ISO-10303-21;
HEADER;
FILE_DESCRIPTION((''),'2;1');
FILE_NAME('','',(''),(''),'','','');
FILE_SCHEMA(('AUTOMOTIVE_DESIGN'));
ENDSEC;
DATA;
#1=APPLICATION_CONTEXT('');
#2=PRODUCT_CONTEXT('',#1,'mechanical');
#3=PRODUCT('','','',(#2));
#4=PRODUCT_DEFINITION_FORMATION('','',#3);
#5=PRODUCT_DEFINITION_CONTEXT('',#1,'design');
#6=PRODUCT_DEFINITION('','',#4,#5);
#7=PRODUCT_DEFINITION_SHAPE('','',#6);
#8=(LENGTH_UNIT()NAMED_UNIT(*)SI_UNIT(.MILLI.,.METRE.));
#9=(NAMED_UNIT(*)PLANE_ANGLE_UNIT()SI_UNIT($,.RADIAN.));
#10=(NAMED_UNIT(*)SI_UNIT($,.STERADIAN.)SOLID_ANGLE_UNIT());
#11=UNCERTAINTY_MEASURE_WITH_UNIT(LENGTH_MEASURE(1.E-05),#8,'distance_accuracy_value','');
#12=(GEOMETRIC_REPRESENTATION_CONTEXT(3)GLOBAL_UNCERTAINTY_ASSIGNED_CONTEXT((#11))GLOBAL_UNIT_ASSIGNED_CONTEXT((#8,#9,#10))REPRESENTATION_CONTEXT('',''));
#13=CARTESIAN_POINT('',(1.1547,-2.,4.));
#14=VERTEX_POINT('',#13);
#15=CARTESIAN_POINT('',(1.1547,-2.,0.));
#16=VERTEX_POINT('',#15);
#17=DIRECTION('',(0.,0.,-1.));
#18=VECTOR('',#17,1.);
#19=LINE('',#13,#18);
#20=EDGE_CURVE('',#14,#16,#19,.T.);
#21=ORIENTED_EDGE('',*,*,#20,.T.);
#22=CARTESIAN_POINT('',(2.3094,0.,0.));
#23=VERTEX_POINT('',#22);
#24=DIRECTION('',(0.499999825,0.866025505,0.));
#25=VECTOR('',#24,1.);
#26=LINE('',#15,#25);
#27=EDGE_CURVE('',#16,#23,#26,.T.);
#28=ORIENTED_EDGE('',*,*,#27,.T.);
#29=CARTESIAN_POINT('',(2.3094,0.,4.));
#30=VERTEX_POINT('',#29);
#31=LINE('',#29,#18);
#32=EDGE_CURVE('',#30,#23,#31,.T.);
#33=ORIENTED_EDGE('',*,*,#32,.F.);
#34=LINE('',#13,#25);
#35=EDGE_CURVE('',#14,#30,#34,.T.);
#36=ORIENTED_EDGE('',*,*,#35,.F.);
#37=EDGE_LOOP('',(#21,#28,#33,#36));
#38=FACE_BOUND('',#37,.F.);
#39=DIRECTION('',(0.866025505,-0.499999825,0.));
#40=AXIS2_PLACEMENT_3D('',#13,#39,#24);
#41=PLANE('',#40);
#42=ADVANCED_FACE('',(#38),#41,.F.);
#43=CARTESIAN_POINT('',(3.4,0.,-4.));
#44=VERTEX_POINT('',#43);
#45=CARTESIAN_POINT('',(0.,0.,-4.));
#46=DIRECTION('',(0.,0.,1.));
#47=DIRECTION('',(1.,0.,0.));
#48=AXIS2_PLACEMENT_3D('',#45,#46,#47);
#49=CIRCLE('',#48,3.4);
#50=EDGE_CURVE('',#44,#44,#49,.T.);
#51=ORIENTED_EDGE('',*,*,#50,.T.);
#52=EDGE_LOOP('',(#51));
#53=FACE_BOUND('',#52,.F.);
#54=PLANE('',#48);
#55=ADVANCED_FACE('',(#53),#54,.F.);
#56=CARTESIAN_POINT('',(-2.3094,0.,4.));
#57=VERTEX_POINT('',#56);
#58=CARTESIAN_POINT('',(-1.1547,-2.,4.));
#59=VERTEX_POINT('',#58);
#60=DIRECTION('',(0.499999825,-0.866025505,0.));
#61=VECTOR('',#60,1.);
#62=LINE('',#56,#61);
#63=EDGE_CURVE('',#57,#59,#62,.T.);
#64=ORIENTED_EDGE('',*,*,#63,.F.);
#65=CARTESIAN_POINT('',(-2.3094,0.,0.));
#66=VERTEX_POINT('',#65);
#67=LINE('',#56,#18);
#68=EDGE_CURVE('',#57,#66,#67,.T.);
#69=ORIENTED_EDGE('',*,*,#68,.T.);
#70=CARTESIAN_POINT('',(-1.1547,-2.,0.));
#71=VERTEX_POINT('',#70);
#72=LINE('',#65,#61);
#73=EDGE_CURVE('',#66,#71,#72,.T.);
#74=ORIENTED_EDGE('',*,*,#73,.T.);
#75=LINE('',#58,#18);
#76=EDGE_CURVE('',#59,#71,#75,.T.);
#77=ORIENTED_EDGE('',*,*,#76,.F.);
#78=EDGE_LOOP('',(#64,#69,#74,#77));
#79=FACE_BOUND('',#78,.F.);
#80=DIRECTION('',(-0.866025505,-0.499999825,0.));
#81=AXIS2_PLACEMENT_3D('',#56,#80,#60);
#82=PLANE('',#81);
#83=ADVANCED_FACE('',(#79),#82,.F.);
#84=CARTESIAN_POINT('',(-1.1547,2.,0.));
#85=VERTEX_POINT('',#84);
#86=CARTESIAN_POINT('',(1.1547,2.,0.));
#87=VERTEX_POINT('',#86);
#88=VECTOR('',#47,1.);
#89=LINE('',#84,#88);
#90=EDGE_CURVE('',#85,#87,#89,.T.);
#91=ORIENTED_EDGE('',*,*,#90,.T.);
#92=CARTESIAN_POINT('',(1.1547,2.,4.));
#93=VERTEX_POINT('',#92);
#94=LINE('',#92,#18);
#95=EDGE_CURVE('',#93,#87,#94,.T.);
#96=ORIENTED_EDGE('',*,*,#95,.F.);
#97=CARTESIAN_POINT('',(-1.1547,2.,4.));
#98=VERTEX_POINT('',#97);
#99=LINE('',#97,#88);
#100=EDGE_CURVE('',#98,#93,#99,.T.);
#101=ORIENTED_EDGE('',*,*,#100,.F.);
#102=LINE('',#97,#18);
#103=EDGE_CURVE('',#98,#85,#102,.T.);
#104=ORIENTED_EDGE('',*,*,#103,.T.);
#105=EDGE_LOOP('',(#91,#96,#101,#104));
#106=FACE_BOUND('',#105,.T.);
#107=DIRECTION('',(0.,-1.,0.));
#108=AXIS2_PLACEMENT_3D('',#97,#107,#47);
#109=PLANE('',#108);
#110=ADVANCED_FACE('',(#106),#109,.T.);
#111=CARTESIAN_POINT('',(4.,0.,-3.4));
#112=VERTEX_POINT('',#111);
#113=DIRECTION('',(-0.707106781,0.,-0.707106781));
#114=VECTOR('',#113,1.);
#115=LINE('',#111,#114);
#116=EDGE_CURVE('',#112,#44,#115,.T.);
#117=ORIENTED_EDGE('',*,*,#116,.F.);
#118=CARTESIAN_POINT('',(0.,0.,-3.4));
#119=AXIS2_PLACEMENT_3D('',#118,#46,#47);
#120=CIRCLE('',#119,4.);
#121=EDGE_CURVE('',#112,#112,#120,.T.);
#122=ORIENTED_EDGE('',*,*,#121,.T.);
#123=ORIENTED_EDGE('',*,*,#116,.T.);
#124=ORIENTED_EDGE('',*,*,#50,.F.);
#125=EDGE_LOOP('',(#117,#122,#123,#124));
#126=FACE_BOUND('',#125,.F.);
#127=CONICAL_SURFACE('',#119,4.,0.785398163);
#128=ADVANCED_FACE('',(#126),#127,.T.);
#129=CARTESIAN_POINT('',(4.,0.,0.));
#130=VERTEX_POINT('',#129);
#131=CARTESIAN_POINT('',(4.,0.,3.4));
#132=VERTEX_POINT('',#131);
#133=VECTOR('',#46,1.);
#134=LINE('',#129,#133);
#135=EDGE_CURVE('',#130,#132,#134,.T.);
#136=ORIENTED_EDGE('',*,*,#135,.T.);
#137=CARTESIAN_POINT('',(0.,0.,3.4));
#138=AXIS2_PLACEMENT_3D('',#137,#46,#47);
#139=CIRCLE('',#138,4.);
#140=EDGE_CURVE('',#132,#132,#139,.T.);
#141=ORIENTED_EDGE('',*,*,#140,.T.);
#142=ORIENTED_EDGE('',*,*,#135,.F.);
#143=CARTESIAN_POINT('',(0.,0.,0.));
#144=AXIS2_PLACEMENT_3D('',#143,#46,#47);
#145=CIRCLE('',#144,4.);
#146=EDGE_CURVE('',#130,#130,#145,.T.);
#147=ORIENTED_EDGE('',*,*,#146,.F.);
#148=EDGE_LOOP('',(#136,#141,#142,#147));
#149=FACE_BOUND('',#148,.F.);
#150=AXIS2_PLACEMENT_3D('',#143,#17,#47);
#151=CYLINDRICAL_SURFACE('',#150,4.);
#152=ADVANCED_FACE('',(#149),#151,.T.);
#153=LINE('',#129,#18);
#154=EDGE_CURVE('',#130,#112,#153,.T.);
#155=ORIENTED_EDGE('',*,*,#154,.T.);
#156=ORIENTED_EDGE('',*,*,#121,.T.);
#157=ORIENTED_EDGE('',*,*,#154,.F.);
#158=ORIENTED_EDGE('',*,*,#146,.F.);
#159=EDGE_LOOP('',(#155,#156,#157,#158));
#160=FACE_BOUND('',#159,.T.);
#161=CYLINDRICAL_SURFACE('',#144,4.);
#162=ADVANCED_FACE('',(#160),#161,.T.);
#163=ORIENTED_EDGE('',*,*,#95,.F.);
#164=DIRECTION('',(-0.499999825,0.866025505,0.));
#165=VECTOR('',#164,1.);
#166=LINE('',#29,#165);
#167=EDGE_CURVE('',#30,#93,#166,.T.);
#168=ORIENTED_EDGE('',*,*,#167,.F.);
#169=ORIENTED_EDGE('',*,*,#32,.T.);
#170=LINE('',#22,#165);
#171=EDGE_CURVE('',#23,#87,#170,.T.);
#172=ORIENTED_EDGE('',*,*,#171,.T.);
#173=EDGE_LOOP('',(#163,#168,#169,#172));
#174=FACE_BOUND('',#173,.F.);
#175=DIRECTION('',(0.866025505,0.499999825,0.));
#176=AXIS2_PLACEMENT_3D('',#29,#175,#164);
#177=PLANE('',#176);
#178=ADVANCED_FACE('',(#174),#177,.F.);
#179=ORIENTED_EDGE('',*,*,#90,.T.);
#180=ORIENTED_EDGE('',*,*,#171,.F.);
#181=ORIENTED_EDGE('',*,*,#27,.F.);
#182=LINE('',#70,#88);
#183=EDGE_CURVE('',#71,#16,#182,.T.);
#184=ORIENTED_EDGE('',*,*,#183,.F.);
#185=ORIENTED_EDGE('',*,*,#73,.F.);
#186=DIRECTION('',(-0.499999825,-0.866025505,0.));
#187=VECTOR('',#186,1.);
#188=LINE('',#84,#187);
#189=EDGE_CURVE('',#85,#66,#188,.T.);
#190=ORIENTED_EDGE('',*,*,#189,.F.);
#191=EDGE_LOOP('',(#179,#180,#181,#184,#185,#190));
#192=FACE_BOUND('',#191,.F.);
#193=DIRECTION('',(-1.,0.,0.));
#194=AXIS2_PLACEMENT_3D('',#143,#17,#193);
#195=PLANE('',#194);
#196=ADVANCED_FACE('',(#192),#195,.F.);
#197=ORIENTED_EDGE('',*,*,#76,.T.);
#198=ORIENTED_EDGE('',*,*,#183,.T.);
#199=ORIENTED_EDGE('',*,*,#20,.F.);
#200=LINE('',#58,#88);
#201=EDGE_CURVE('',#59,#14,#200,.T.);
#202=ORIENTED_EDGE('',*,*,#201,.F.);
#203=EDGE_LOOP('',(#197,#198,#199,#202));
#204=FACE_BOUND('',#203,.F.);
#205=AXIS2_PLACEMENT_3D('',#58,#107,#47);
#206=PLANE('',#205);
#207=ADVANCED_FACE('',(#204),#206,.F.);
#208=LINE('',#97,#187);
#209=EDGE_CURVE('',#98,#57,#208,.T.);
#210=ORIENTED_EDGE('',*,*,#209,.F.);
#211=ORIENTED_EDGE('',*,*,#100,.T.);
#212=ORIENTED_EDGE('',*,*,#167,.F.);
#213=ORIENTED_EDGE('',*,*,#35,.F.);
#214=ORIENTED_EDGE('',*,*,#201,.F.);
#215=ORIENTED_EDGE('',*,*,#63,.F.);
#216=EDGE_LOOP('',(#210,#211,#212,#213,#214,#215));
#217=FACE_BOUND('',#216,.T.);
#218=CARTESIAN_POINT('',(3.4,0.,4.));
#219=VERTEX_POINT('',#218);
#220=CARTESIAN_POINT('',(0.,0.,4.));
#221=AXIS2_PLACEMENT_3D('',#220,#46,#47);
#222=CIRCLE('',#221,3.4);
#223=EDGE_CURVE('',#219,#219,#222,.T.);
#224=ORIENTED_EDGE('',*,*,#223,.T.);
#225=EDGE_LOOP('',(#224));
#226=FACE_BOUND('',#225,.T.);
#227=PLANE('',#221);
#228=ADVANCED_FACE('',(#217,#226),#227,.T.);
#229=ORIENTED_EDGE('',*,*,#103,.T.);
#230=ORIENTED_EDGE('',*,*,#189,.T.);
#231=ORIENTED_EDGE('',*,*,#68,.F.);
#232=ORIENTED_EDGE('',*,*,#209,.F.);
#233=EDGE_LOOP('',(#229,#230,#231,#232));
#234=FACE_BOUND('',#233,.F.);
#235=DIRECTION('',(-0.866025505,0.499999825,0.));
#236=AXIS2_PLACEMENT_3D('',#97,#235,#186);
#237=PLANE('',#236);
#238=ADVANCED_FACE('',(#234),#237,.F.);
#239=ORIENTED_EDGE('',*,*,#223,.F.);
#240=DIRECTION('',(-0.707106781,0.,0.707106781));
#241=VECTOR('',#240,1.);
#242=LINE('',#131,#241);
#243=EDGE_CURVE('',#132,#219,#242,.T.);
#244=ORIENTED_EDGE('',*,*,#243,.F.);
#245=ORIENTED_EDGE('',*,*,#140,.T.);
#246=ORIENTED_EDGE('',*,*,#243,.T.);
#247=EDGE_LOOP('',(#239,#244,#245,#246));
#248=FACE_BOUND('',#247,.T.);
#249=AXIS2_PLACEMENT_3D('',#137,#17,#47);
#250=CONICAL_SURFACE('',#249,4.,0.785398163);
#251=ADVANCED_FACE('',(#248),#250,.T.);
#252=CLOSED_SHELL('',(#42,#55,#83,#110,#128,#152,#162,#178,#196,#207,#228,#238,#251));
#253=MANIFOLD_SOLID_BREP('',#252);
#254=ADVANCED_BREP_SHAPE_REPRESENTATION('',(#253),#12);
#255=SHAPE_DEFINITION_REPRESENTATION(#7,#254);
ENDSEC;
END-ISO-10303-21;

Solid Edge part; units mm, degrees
sketch "Sketch1" plane through (0, 0, 0) normal (0, 0, 1) x (1, 0, 0)
  circle A0 centre (0, 0) radius 4
  dimension "D1" = 8
extrude "Protrusion1" add sketch "Sketch1" along normal mid plane 8
chamfer "Chamfer1" distance 0.6 angle 45 2 edges at (-4, 0, -4) (-4, 0, 4)
sketch "Sketch2" plane through (0, 0, 4) normal (0, 0, 1) x (1, 0, 0)
  line L0 (-1.1547, 2) -> (1.1547, 2)
  line L1 (2.3094, 0) -> (1.1547, 2)
  line L2 (1.1547, -2) -> (2.3094, 0)
  line L3 (-1.1547, -2) -> (1.1547, -2)
  line L4 (-2.3094, 0) -> (-1.1547, -2)
  line L5 (-1.1547, 2) -> (-2.3094, 0)
  dimension "D1" = 4
extrude "Cutout1" cut sketch "Sketch2" against normal blind 4
properties part number "24104459"
